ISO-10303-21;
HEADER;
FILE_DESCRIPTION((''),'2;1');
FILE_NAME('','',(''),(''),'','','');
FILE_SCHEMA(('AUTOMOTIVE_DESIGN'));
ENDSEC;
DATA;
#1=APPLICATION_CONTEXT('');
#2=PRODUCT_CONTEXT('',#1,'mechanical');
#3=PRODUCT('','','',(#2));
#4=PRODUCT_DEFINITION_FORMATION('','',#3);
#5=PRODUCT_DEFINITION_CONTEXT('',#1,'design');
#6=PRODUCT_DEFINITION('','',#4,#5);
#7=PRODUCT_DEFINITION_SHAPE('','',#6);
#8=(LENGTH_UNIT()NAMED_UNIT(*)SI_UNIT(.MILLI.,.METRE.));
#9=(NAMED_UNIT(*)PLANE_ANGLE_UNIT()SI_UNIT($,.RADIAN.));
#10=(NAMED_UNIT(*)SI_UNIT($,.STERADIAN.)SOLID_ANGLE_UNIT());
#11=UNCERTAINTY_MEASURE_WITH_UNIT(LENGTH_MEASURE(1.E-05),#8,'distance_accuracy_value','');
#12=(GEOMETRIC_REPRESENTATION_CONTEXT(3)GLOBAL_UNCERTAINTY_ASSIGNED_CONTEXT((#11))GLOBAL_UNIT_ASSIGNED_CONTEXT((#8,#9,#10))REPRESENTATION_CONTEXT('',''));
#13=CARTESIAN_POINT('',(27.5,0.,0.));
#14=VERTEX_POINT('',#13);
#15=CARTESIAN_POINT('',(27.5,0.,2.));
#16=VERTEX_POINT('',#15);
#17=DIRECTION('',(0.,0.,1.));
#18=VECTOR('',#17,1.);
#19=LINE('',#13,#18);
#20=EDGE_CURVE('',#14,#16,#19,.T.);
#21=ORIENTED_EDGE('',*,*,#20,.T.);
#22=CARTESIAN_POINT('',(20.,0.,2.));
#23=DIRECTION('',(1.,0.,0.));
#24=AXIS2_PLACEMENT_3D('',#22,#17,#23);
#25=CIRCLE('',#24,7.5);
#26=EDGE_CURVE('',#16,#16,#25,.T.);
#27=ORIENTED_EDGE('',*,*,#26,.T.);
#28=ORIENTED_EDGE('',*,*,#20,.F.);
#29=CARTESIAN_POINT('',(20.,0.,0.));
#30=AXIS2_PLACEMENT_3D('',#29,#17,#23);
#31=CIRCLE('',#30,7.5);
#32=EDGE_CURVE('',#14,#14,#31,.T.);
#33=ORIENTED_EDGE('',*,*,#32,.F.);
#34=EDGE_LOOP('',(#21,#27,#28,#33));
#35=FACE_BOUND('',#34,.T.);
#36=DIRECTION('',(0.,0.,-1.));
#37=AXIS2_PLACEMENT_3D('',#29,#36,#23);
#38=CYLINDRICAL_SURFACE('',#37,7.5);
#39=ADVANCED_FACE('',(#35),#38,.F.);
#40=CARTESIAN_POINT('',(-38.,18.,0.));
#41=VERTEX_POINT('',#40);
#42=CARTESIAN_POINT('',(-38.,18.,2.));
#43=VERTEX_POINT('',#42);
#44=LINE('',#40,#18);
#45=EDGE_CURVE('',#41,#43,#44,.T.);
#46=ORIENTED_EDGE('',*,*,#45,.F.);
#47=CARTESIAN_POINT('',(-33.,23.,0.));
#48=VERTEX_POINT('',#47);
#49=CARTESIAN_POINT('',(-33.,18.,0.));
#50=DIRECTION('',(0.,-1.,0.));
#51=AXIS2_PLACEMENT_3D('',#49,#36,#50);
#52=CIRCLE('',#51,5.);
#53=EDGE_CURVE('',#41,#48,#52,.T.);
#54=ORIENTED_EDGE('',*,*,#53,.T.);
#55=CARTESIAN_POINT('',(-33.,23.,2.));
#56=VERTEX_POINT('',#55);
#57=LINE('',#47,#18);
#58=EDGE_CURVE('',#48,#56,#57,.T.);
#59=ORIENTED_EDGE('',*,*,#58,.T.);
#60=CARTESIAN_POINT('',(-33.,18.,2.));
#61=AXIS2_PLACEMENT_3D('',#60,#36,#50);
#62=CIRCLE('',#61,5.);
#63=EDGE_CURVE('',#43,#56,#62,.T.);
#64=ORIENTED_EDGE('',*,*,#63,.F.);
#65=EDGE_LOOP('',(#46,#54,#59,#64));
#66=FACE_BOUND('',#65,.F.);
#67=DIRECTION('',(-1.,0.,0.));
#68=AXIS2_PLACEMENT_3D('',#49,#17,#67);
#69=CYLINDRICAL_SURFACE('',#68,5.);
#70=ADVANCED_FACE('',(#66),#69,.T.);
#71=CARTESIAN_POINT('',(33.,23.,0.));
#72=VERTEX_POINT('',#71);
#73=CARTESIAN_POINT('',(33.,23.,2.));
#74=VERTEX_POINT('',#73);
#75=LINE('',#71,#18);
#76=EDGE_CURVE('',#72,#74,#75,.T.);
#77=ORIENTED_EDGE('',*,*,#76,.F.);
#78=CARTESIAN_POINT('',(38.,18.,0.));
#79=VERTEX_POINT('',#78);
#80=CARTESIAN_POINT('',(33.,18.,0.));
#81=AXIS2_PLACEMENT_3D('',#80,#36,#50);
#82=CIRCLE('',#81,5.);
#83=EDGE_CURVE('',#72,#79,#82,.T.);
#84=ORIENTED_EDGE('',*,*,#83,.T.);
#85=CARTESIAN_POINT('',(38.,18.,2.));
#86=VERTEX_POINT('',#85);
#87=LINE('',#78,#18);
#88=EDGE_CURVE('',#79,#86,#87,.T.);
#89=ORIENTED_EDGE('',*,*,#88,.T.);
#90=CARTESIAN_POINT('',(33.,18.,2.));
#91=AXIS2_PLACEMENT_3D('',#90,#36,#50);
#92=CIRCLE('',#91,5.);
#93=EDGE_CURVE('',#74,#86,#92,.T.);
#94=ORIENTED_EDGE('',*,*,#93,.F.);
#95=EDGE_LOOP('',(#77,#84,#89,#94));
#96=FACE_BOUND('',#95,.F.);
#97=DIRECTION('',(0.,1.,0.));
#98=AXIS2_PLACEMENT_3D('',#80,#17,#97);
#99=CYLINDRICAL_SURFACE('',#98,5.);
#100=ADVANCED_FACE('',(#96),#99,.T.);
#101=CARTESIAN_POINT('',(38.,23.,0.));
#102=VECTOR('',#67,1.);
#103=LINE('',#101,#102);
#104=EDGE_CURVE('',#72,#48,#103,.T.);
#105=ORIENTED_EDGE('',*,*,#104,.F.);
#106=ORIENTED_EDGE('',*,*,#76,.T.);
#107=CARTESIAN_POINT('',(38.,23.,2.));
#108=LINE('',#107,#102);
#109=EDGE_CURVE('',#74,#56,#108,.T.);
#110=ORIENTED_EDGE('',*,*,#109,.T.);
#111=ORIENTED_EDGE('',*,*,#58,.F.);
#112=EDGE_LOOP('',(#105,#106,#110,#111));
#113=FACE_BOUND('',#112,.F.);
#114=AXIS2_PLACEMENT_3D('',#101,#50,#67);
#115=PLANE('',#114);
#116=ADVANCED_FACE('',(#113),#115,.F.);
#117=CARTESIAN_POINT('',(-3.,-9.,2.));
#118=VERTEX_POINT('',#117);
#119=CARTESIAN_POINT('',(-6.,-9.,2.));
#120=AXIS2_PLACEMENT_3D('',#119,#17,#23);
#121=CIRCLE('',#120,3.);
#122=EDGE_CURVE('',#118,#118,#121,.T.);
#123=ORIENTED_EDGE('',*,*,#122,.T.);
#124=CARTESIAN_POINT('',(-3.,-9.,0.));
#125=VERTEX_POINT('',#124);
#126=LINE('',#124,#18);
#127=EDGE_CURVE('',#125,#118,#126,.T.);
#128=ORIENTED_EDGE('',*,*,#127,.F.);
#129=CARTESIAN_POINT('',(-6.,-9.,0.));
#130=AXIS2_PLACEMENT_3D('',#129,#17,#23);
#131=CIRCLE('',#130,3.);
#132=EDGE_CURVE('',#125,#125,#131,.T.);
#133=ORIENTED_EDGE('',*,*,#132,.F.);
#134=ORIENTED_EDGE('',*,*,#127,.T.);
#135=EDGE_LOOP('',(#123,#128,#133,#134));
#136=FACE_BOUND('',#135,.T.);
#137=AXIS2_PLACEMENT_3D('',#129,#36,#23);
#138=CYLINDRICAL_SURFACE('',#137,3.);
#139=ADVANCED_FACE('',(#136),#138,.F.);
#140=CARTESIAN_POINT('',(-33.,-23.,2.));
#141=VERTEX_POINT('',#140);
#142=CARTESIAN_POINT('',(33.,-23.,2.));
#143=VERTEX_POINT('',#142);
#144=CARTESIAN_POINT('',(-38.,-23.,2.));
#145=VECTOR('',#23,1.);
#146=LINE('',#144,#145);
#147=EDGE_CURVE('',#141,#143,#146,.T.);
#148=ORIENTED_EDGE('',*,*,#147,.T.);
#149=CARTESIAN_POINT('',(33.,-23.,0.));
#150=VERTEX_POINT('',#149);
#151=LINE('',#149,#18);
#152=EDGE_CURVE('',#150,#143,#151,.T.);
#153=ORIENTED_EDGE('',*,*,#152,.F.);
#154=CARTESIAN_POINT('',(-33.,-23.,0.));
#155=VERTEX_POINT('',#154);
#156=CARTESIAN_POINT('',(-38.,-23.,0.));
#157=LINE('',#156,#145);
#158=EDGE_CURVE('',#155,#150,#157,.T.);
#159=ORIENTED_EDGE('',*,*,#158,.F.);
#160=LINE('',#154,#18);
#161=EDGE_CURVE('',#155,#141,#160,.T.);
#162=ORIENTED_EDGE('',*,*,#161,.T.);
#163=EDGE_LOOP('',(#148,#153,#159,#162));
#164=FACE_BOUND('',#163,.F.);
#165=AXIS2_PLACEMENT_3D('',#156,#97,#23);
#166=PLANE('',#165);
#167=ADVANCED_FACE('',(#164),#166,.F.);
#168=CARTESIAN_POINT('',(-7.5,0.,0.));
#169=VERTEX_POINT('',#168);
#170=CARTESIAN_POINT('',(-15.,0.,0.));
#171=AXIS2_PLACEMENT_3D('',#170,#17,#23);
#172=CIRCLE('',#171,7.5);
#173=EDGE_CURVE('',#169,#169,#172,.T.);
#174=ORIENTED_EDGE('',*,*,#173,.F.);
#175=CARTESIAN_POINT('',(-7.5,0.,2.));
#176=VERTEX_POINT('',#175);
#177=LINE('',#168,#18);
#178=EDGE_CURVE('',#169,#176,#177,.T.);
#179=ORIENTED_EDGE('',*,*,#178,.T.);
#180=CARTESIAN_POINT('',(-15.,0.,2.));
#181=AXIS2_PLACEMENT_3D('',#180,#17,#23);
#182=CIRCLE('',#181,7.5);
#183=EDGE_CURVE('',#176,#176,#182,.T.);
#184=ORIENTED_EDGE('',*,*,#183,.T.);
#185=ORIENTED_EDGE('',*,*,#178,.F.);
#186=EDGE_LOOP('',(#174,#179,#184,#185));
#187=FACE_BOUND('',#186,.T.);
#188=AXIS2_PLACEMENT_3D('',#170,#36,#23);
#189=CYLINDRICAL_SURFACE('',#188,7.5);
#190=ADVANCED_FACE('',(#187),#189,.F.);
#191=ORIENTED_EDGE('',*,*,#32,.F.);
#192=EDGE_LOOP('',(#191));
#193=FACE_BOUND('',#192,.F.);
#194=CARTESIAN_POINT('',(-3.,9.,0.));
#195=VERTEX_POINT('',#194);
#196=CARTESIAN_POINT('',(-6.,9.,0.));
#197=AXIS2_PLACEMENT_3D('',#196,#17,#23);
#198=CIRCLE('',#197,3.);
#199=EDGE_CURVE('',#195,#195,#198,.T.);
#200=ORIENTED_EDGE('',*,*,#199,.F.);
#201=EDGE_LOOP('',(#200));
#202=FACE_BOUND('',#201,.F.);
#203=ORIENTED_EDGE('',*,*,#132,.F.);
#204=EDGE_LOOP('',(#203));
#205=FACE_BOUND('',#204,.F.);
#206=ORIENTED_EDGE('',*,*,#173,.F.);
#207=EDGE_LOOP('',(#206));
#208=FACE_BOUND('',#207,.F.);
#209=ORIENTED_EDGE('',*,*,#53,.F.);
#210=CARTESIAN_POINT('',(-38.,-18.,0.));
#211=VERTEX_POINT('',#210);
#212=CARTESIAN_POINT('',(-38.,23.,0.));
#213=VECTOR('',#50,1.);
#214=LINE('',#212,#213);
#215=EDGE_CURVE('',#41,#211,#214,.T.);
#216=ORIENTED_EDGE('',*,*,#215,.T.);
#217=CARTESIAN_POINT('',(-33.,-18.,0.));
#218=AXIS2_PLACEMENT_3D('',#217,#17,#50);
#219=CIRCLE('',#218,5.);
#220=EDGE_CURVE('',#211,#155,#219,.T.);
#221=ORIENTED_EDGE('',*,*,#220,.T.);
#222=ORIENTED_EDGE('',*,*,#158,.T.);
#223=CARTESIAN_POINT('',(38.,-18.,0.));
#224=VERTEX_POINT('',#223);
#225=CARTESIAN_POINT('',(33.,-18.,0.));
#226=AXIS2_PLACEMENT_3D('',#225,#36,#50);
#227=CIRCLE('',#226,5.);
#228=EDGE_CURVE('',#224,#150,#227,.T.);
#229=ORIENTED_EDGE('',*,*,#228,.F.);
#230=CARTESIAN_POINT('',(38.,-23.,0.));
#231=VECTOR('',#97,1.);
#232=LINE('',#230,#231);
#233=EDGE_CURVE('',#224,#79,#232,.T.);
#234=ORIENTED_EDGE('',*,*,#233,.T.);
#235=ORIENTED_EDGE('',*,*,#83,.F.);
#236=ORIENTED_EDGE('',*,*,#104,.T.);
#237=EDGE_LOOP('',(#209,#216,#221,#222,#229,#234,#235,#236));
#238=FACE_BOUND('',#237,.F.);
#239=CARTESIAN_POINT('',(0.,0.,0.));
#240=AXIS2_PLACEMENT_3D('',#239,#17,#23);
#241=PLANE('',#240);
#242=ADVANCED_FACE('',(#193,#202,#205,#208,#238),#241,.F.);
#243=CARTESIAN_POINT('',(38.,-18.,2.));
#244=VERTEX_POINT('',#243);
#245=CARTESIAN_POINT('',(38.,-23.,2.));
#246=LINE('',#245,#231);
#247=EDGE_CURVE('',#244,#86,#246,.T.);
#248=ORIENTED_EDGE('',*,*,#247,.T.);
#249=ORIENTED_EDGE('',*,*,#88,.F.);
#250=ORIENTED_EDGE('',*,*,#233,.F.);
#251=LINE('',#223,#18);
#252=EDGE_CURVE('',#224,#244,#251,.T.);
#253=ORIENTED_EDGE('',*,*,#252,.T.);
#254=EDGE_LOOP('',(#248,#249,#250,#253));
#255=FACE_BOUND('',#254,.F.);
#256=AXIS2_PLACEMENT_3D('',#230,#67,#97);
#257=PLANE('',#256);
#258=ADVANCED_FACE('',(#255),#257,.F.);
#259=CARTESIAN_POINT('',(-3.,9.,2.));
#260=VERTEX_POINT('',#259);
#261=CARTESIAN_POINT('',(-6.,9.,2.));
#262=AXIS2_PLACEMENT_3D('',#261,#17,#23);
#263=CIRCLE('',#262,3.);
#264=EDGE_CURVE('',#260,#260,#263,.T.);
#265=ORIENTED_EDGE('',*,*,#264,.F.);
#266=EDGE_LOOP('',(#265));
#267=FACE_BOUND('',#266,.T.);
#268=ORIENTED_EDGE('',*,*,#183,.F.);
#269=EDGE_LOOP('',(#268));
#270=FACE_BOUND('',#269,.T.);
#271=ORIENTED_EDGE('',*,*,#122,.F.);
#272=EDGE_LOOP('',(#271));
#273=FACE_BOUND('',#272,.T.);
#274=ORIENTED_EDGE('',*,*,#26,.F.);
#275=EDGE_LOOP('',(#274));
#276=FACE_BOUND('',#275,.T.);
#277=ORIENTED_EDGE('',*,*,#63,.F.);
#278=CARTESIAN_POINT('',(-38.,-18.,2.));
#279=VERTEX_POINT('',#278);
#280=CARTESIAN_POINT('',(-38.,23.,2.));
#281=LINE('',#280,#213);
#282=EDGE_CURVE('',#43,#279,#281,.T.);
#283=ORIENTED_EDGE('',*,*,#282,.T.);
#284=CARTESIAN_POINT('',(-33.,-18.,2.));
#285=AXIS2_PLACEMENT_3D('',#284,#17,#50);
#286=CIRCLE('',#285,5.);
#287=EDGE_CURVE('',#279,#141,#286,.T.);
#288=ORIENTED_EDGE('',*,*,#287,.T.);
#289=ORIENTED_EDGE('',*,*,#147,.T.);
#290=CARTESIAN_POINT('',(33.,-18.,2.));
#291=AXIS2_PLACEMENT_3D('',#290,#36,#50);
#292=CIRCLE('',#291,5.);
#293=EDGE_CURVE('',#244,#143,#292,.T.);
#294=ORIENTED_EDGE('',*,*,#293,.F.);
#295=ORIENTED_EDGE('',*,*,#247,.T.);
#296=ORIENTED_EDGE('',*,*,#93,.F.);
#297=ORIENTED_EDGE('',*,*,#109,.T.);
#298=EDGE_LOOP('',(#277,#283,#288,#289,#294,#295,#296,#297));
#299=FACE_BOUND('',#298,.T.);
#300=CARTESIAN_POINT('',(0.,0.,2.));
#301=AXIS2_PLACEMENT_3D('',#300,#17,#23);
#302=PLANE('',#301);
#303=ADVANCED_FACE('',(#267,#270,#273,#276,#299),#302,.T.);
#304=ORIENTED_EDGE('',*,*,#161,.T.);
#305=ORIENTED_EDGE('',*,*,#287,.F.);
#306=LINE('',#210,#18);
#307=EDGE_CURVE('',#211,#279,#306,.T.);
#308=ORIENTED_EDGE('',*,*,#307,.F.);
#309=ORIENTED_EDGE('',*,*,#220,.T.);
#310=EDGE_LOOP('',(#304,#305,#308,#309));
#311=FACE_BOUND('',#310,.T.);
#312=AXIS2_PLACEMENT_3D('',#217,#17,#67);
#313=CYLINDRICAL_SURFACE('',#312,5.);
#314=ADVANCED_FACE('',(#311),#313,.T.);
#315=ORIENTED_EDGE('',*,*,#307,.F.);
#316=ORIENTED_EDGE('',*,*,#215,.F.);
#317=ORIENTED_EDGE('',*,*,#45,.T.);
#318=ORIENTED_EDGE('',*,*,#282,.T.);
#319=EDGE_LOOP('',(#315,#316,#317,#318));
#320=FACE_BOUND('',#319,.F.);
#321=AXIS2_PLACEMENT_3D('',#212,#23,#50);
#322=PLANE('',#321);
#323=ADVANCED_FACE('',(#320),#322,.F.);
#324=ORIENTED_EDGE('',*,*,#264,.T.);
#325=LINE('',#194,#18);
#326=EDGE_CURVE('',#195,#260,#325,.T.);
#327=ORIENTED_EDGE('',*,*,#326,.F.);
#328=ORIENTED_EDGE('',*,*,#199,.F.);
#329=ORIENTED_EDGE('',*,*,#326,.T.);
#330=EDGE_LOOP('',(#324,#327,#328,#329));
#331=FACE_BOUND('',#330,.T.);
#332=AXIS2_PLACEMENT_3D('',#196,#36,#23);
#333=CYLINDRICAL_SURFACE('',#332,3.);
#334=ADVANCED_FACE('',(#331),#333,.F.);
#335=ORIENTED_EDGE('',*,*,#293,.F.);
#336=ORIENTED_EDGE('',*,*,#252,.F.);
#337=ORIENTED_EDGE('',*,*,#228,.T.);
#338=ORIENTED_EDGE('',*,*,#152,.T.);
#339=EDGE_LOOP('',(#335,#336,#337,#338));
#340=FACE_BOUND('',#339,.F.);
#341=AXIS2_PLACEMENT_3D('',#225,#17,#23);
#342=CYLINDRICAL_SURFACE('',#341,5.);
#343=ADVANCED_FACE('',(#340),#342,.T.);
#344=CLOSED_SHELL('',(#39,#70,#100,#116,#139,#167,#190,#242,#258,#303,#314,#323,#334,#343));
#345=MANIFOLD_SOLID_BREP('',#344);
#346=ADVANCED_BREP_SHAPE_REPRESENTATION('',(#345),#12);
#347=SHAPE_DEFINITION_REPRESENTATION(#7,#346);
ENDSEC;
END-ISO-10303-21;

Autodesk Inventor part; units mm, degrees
ref_plane "YZ Plane" through (0, 0, 0) normal (1, 0, 0) x (0, 1, 0)
ref_plane "XZ Plane" through (0, 0, 0) normal (0, 1, 0) x (-1, 0, 0)
ref_plane "XY Plane" through (0, 0, 0) normal (0, 0, 1) x (1, 0, 0)
sketch "Sketch1" plane through (0, 0, 0) normal (0, 0, 1) x (1, 0, 0)
  line L0 (-38, -23) -> (38, -23)
  line L1 (38, -23) -> (38, 23)
  line L2 (38, 23) -> (-38, 23)
  line L3 (-38, 23) -> (-38, -23)
  line L4 (-38, -23) -> (38, 23) construction
  line L5 (38, -23) -> (-38, 23) construction
  line L6 (0, 0) -> (42.6955, 0) construction
  circle A0 centre (20, 0) radius 7.5
  circle A1 centre (-15, 0) radius 7.5
  circle A2 centre (-6, 9) radius 3
  circle A3 centre (-6, -9) radius 3
  dimension "d0" = 76
  dimension "d1" = 46
  dimension "d2" = 15
  dimension "d5" = 20
  dimension "d7" = 15
  dimension "d8" = 35
  dimension "d9" = 6
  dimension "d10" = 9
  dimension "d11" = 9
extrude "Extrusion1" add sketch "Sketch1" along normal blind 2
fillet "Fillet1" radius 5 4 edges at (-38, 23, 1) (38, 23, 1) (38, -23, 1) (-38, -23, 1)
properties part number "motor_acrylic_flange2"
